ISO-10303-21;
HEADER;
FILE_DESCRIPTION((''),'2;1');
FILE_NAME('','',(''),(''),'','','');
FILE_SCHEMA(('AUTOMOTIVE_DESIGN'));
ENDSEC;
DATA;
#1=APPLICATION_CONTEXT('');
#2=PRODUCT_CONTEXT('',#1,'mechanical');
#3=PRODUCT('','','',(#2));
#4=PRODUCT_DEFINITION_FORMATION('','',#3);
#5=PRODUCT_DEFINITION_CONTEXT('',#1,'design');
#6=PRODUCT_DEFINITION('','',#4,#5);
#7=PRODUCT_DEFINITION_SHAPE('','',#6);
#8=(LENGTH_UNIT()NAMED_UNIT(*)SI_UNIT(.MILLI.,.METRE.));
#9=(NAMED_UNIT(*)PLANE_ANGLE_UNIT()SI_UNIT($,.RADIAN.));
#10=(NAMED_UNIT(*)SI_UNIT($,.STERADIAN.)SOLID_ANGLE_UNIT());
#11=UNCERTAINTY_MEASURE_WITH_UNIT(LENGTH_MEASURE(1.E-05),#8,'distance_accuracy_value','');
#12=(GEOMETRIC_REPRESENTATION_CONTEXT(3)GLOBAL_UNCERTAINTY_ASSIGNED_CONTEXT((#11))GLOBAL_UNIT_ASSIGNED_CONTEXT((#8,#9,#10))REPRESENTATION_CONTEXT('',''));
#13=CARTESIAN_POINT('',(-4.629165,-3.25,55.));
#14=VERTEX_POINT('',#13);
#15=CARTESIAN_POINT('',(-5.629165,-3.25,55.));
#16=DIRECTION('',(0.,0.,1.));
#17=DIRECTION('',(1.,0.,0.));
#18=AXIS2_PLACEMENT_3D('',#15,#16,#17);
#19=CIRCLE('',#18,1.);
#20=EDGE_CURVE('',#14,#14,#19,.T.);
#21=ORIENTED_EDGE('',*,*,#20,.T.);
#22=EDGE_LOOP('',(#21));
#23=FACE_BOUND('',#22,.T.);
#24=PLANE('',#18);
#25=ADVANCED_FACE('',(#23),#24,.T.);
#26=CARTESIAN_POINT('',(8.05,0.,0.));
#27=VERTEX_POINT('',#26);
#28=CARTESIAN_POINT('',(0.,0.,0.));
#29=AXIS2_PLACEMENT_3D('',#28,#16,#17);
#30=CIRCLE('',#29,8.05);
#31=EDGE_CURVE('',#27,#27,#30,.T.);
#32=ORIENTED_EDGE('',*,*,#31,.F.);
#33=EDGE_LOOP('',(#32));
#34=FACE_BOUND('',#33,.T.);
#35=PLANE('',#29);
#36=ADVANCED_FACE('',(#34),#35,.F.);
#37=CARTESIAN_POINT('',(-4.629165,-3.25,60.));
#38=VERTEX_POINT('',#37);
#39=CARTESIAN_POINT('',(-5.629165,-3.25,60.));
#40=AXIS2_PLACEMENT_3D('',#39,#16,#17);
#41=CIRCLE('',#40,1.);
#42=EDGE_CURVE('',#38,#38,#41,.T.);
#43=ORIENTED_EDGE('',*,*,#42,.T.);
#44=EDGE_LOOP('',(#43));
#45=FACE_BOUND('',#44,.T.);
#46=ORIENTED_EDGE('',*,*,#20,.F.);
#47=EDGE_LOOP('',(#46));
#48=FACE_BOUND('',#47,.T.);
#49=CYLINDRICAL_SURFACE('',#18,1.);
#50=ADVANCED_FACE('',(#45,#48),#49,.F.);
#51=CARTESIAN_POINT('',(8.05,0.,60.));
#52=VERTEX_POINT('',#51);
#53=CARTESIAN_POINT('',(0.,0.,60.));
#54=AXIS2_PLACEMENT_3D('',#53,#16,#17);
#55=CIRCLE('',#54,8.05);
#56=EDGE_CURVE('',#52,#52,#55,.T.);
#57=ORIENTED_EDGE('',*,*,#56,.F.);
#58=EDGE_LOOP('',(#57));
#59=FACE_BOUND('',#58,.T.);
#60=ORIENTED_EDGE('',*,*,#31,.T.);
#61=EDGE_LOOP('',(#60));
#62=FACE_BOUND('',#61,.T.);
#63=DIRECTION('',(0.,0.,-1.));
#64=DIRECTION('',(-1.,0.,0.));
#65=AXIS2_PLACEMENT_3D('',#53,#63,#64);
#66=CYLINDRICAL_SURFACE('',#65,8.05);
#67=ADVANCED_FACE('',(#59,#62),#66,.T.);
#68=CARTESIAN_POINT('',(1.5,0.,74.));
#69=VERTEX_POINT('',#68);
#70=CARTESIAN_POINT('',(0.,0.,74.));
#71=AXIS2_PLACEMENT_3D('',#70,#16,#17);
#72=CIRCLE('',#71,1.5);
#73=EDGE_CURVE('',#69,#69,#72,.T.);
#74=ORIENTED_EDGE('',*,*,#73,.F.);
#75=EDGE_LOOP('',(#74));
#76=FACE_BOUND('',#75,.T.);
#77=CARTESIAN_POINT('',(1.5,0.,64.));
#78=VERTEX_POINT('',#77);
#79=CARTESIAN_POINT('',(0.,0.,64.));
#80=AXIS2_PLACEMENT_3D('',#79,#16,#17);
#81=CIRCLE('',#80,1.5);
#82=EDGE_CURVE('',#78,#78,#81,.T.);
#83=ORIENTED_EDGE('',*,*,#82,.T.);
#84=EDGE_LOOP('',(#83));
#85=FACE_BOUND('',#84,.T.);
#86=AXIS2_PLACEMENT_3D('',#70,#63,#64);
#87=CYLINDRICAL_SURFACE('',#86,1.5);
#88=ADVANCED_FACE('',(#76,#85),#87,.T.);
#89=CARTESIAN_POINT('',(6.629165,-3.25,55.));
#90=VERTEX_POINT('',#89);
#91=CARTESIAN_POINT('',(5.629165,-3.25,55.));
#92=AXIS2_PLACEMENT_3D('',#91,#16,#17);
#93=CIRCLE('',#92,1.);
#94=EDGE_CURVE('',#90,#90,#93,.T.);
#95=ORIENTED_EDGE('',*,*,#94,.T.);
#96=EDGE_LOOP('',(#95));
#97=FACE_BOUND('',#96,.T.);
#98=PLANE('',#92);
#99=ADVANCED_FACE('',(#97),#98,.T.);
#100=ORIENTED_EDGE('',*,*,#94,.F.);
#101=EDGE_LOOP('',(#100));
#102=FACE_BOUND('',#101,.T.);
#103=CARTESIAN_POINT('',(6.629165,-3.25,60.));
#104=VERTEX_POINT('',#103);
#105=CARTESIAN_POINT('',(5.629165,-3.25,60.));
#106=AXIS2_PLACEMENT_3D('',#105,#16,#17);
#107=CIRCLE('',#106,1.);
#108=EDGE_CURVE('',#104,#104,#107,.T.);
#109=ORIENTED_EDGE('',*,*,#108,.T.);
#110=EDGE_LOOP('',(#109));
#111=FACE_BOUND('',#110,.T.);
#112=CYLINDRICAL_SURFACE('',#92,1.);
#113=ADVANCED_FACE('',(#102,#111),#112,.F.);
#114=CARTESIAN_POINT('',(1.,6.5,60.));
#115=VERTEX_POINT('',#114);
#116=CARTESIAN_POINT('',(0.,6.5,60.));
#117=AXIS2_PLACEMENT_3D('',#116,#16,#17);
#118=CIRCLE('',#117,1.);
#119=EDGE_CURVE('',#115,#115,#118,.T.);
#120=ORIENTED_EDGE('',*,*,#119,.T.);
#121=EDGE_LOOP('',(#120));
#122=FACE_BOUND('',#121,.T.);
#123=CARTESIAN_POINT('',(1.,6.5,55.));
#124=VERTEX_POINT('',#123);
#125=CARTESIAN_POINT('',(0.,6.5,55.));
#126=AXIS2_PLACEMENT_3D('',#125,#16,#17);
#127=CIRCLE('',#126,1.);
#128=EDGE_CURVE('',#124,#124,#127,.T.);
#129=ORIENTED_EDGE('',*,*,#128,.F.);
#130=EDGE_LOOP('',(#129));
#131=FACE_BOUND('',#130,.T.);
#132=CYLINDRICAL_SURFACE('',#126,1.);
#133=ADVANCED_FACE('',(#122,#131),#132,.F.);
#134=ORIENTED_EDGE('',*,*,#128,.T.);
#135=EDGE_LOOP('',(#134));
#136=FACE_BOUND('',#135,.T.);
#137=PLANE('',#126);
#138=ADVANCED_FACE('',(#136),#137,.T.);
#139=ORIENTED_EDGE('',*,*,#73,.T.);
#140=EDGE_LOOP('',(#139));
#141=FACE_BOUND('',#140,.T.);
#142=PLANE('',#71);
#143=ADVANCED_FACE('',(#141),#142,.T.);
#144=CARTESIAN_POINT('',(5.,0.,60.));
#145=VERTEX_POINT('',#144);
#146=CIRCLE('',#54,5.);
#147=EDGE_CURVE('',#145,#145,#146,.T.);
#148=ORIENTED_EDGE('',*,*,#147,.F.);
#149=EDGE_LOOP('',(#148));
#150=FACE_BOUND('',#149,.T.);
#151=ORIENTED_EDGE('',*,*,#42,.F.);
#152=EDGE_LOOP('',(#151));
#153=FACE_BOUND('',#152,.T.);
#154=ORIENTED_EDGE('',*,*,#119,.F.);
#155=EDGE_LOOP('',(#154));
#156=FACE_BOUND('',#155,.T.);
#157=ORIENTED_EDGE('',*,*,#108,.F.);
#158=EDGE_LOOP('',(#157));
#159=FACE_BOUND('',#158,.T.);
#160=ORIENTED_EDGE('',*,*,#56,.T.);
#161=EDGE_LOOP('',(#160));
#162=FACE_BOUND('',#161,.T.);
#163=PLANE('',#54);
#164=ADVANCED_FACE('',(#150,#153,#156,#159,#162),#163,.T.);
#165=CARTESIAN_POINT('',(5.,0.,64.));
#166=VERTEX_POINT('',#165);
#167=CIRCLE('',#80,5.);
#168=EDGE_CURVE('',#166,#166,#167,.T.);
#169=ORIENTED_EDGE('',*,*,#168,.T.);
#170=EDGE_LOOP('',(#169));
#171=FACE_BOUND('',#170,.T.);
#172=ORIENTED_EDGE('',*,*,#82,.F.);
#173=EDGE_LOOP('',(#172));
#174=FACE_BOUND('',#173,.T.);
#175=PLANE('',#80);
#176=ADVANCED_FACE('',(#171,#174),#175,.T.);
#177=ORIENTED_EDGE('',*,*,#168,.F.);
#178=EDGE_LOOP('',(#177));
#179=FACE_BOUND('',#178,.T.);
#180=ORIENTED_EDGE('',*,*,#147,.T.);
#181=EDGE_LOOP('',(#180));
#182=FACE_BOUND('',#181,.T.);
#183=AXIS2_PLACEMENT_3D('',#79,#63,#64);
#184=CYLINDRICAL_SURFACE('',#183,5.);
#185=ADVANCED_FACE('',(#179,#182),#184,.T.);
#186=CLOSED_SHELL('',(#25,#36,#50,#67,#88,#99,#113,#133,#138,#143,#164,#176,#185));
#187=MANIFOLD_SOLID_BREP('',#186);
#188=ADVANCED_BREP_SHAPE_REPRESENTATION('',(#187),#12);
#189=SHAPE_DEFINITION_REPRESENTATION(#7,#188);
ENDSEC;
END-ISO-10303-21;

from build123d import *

# Parameters (mm, degrees)
SKETCH1_R           = 8.05
BOSS_EXTRUDE1_DEPTH = 60
SKETCH2_R           = 5
BOSS_EXTRUDE2_DEPTH = 4
SKETCH3_R           = 1
CUT_EXTRUDE1_DEPTH  = 5
SKETCH4_R           = 1.5
BOSS_EXTRUDE3_DEPTH = 10


with BuildPart() as part:
    # Sketch1 → Boss-Extrude1 (new body)
    with BuildSketch(Plane.XY):
        Circle(SKETCH1_R)
    extrude(amount=BOSS_EXTRUDE1_DEPTH)

    # Sketch2 → Boss-Extrude2 (add)
    with BuildSketch(Plane.XY.offset(60)):
        Circle(SKETCH2_R)
    extrude(amount=BOSS_EXTRUDE2_DEPTH)

    # Sketch3 → Cut-Extrude1 (cut)
    with BuildSketch(Plane.XY.offset(60)):
        with Locations((0, 6.5)):
            Circle(SKETCH3_R)
        with Locations((5.629165125, -3.25)):
            Circle(SKETCH3_R)
        with Locations((-5.629165125, -3.25)):
            Circle(SKETCH3_R)
    extrude(amount=-CUT_EXTRUDE1_DEPTH, mode=Mode.SUBTRACT)

    # Sketch4 → Boss-Extrude3 (add)
    with BuildSketch(Plane.XY.offset(64)):
        Circle(SKETCH4_R)
    extrude(amount=BOSS_EXTRUDE3_DEPTH)


solid = part.part
